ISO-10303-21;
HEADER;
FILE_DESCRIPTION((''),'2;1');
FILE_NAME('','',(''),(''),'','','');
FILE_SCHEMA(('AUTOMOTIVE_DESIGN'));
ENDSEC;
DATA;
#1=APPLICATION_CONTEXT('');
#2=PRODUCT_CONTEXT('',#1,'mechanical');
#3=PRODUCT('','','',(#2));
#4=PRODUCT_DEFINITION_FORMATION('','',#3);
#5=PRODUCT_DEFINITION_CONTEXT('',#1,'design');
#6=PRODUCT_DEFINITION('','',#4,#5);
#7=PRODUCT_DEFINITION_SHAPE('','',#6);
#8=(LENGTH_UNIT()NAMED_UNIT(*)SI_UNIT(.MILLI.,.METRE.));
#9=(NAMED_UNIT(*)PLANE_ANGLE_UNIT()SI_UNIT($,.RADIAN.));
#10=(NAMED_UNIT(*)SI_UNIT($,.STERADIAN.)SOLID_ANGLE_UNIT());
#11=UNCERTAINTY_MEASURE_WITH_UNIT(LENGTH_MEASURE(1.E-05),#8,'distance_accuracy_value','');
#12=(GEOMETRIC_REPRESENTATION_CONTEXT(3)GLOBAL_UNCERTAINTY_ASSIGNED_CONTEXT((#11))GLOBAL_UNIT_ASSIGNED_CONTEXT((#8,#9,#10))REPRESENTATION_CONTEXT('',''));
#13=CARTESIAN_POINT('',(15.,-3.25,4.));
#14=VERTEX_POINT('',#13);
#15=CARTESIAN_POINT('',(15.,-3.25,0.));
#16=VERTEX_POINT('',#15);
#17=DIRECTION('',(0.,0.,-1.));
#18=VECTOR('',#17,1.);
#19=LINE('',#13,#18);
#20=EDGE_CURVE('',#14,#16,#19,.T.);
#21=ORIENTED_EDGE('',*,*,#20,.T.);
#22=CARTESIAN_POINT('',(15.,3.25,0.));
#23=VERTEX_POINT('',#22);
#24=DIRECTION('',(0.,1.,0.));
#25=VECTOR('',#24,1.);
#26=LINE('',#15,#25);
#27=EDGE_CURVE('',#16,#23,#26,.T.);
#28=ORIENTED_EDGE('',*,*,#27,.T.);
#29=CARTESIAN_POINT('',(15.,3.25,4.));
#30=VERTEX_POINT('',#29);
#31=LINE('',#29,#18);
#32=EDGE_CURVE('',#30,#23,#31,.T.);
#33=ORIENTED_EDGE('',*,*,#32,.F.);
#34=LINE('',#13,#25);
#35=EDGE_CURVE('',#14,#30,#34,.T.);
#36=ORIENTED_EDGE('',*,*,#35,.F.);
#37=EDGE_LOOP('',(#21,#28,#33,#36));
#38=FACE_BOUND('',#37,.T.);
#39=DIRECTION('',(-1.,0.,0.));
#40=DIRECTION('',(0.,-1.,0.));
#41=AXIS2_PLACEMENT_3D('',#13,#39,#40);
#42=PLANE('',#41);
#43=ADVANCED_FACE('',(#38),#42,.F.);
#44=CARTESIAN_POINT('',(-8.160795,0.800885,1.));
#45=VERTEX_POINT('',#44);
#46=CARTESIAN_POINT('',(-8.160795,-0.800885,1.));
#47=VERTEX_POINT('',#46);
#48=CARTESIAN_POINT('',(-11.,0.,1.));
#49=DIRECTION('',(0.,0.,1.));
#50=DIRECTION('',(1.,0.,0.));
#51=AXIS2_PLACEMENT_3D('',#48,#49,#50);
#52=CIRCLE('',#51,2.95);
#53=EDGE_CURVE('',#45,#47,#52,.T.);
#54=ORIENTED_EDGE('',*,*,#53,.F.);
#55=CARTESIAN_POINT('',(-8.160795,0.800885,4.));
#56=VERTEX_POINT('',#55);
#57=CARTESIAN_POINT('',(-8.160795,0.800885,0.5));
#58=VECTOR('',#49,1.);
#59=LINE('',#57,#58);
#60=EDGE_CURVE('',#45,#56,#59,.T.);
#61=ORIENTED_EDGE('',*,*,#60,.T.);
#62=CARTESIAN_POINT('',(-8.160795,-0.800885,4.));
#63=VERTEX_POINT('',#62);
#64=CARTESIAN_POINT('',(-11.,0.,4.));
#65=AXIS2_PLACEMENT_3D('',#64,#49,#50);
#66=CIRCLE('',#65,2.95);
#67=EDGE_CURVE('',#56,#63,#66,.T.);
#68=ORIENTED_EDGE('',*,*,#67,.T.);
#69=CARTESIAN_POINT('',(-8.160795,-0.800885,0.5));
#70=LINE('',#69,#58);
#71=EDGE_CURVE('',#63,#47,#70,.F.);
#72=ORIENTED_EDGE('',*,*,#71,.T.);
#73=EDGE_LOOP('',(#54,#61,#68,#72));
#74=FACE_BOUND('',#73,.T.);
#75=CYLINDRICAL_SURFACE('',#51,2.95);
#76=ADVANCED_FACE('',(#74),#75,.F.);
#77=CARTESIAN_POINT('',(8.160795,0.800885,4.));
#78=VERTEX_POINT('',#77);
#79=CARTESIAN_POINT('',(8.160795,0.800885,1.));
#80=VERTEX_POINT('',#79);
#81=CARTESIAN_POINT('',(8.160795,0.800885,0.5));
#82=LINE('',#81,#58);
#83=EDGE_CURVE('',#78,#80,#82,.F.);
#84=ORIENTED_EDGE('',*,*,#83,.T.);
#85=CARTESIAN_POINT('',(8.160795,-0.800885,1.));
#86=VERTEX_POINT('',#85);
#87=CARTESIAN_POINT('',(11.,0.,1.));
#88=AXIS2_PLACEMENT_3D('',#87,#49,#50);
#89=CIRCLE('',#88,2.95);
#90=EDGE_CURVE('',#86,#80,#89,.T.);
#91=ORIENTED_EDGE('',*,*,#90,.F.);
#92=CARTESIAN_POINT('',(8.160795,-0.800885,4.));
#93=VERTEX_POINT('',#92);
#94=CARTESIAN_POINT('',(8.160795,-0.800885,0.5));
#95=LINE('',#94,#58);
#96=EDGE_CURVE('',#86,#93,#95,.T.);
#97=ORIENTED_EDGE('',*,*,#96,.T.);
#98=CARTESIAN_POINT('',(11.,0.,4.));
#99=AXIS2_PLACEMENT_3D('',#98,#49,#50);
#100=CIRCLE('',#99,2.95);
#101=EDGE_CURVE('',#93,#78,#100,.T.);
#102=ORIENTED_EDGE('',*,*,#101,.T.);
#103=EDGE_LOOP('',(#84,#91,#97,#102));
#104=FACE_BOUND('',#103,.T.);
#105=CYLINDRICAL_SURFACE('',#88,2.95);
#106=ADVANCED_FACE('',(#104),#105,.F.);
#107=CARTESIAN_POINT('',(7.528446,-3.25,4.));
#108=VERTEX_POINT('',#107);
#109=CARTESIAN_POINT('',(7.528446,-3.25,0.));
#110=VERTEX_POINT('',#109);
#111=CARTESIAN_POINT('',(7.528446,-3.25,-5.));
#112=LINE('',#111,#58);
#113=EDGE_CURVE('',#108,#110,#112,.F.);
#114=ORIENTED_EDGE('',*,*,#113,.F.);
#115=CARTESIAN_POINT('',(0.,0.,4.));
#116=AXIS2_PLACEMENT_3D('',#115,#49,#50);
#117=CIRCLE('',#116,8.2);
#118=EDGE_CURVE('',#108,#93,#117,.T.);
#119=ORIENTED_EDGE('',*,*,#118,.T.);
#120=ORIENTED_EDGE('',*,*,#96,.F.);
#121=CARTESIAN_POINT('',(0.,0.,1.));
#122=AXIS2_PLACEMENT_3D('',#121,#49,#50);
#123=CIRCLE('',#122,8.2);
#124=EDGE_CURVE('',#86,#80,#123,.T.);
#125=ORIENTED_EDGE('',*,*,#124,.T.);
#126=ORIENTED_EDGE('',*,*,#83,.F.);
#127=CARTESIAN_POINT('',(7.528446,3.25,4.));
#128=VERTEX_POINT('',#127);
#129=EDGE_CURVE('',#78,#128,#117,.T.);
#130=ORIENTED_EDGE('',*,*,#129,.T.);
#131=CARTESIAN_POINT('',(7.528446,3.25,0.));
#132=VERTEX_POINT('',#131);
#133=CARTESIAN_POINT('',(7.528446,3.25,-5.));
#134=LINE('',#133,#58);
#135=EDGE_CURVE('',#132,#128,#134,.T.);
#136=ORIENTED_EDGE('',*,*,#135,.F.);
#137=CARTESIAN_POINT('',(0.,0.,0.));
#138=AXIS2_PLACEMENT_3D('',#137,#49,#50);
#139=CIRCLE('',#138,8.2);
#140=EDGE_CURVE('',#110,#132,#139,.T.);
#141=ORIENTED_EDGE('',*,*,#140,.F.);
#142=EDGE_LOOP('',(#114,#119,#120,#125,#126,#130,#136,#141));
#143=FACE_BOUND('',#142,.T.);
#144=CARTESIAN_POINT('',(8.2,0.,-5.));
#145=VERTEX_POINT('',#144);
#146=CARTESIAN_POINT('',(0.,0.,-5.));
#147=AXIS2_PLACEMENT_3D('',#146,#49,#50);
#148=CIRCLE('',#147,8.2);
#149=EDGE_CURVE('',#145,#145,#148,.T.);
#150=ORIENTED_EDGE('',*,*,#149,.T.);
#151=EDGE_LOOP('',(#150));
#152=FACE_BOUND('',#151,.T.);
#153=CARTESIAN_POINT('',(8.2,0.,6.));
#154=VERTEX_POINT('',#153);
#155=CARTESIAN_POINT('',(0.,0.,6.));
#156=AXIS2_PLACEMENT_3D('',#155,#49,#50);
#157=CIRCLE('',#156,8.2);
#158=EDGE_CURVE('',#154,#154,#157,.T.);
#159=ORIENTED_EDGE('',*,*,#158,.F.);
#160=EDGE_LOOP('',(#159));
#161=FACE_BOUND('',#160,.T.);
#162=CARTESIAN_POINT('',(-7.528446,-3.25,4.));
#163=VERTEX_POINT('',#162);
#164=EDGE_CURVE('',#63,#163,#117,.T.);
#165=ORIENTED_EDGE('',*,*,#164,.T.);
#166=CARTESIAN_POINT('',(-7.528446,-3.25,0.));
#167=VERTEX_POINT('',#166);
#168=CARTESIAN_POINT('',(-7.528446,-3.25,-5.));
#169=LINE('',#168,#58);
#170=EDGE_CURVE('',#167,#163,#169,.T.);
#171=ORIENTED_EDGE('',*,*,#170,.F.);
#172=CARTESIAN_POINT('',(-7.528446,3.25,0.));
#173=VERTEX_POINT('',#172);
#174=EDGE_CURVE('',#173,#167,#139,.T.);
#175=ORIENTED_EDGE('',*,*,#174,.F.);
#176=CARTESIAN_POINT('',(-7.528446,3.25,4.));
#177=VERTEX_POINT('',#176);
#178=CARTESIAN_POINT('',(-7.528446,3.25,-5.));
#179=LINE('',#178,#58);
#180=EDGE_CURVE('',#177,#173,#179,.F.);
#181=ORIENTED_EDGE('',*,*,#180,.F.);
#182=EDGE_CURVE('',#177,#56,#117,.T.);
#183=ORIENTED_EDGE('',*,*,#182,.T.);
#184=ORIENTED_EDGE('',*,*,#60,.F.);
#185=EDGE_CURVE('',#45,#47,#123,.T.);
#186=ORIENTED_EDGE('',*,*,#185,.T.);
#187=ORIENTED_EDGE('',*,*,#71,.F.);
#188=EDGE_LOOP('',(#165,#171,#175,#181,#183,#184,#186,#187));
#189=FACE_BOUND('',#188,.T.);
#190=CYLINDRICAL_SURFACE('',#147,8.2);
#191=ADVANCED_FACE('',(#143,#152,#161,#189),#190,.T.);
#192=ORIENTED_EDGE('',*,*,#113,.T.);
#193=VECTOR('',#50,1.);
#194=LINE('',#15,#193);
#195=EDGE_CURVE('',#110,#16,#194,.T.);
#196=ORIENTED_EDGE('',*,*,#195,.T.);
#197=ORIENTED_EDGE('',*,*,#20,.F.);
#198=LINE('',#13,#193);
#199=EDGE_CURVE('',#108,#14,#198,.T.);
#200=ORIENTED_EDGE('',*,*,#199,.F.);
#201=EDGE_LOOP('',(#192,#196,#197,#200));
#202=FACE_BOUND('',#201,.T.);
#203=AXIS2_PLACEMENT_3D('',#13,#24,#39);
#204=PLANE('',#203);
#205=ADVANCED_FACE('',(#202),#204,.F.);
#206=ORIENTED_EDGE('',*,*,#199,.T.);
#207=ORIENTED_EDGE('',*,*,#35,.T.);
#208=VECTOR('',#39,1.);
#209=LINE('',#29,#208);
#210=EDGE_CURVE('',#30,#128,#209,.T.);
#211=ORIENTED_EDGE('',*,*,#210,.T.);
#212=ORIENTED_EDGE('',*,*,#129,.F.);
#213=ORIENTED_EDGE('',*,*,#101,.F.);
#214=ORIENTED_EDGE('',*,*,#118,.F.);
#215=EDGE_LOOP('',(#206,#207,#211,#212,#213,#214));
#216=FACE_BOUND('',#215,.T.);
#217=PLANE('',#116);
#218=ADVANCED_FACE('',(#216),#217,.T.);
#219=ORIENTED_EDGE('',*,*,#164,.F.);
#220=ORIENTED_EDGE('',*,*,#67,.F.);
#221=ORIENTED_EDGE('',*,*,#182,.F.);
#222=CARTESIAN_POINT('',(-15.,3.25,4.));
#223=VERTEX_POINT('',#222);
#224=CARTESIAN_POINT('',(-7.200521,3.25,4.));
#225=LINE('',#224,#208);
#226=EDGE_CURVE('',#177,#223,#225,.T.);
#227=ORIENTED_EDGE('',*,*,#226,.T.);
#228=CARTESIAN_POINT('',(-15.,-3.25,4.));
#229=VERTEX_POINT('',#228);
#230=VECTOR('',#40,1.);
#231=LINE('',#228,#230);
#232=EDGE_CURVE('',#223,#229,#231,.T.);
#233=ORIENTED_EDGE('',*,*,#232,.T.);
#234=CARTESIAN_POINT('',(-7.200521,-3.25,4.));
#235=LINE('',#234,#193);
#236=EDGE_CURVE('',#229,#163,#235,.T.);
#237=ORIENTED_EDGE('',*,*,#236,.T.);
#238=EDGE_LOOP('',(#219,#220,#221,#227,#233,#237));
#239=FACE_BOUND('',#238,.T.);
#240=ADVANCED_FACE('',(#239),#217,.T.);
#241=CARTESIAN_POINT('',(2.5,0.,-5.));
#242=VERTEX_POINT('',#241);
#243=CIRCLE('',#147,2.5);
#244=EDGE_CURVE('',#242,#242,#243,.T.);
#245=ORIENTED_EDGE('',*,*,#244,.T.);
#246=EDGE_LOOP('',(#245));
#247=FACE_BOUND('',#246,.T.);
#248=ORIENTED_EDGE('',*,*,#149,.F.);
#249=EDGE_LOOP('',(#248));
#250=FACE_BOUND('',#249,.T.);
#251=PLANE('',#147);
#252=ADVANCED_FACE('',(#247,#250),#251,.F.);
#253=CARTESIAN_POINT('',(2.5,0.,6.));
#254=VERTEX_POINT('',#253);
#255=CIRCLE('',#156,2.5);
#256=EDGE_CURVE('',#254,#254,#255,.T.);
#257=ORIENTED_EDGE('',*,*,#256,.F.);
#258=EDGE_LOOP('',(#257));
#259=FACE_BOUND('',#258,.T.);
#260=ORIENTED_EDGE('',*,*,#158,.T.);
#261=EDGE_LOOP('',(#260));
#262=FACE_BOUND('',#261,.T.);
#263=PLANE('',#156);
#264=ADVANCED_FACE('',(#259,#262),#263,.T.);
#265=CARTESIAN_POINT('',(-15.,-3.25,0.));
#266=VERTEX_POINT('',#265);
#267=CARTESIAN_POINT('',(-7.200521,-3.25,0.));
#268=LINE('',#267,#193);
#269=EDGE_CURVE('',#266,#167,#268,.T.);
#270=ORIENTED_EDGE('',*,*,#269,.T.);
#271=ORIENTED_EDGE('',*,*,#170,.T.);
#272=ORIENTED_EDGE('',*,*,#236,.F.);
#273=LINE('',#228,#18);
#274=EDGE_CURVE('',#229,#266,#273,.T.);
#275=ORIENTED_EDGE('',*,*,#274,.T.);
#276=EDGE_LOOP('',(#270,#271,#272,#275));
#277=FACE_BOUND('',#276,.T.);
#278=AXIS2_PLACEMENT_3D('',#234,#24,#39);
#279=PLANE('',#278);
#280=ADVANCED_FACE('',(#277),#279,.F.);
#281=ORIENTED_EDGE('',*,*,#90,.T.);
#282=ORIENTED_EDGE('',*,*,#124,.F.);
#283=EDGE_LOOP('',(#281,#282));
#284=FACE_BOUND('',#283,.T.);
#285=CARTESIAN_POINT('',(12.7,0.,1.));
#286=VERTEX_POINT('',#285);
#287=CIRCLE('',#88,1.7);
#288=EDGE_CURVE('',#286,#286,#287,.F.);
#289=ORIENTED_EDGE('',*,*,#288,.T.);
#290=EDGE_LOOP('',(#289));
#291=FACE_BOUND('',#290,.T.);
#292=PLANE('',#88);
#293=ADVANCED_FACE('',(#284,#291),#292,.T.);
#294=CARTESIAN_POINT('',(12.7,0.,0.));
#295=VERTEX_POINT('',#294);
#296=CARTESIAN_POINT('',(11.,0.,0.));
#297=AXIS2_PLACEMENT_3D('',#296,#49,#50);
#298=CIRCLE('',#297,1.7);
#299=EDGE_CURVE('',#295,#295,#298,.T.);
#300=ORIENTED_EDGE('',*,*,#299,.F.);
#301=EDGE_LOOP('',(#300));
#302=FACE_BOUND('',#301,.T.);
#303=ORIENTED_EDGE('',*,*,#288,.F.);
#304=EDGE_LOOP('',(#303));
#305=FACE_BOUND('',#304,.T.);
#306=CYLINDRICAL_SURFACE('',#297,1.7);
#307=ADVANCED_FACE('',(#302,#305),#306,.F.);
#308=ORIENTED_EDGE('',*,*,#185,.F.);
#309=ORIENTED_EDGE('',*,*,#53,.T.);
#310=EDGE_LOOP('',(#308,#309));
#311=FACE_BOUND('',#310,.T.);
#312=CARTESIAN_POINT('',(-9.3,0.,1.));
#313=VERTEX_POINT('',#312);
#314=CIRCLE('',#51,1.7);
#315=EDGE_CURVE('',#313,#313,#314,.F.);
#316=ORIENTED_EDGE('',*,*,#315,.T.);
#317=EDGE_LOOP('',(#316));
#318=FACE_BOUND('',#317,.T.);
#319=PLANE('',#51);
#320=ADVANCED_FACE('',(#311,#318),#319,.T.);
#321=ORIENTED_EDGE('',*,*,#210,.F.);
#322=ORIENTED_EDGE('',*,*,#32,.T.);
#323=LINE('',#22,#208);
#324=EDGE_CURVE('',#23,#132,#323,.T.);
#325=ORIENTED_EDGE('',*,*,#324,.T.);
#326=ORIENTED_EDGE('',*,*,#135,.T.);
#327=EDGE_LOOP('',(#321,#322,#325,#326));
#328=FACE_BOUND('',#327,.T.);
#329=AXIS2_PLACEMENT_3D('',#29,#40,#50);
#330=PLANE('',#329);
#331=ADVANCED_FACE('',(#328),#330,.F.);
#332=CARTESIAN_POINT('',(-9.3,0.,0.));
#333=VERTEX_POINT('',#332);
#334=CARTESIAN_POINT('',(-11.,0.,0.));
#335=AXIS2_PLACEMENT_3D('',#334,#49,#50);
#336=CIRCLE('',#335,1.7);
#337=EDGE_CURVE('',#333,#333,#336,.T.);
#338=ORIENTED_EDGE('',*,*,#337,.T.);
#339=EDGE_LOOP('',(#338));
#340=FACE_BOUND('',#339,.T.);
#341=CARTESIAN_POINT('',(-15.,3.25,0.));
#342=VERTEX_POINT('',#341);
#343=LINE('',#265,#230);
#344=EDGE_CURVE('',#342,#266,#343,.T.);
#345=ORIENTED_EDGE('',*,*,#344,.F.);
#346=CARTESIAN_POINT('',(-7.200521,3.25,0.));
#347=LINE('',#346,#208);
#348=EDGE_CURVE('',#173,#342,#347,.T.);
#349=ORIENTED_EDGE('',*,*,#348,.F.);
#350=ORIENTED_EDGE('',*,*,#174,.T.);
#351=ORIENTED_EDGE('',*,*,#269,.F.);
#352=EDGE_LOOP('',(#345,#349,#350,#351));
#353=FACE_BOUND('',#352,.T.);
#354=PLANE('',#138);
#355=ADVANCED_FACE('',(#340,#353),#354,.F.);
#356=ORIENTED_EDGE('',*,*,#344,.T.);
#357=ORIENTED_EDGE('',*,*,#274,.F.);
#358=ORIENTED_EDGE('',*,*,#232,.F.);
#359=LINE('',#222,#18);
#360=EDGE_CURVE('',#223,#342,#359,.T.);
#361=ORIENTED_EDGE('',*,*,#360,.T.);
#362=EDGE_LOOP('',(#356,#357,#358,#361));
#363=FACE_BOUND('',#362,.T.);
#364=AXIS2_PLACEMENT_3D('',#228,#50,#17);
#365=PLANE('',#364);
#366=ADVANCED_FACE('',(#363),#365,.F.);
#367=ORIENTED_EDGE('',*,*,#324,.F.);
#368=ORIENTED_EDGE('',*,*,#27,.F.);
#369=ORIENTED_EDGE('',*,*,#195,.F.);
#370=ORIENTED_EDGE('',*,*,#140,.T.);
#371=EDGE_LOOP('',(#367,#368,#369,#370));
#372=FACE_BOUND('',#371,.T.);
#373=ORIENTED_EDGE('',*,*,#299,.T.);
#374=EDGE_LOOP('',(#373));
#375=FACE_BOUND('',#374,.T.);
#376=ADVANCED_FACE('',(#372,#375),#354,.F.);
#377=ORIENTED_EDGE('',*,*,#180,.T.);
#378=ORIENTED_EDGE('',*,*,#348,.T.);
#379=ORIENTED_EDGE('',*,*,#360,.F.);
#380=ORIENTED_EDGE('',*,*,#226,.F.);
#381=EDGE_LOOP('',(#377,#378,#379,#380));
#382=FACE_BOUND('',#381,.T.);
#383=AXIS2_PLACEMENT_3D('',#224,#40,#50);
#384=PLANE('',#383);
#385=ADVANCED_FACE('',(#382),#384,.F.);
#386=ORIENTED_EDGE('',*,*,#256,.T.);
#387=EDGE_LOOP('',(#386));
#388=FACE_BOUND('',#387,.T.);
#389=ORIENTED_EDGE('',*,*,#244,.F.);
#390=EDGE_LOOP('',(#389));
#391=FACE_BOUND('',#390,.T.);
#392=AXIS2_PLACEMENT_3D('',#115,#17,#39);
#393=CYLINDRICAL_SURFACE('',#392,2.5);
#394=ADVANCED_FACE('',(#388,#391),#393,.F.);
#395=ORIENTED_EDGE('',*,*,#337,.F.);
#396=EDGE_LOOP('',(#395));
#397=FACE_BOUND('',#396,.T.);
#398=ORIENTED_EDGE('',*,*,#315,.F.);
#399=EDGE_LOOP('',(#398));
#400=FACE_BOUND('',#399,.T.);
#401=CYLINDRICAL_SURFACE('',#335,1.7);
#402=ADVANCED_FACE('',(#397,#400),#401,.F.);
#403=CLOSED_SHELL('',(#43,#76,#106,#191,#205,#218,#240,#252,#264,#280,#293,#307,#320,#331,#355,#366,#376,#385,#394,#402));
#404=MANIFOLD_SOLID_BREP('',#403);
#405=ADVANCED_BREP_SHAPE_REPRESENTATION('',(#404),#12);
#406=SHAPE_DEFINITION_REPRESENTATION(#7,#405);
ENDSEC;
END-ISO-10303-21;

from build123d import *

# Parameters (mm, degrees)
CROQUIS1_R                   = 2.5
SALIENTE_EXTRUIR1_DEPTH      = 4
CROQUIS2_R                   = 1.7
CORTAR_EXTRUIR1_DEPTH        = 4
CROQUIS3_R                   = 2.95
CORTAR_EXTRUIR2_DEPTH        = 3
CROQUIS4_R                   = 8.2
CROQUIS4_R_2                 = 2.5
SALIENTE_EXTRUIR2_DEPTH      = 2
SALIENTE_EXTRUIR2_DEPTH_BACK = 9


with BuildPart() as part:
    # Croquis1 → Saliente-Extruir1 (new body)
    with BuildSketch(Plane.XY):
        with BuildLine():
            Line((-7.200520814, 3.25), (-15, 3.25))
            Line((-15, 3.25), (-15, -3.25))
            Line((-15, -3.25), (-7.200520814, -3.25))
            ThreePointArc((-7.200520814, -3.25), (0, -7.9), (7.200520814, -3.25))
            Line((7.200520814, -3.25), (15, -3.25))
            Line((15, -3.25), (15, 3.25))
            Line((15, 3.25), (7.200520814, 3.25))
            ThreePointArc((7.200520814, 3.25), (0, 7.9), (-7.200520814, 3.25))
        make_face()
        Circle(CROQUIS1_R, mode=Mode.SUBTRACT)
    extrude(amount=SALIENTE_EXTRUIR1_DEPTH)

    # Croquis2 → Cortar-Extruir1 (cut)
    with BuildSketch(Plane.XY.offset(4)):
        with Locations((-11, 0)):
            Circle(CROQUIS2_R)
        with Locations((11, 0)):
            Circle(CROQUIS2_R)
    extrude(amount=-CORTAR_EXTRUIR1_DEPTH, mode=Mode.SUBTRACT)

    # Croquis3 → Cortar-Extruir2 (cut)
    with BuildSketch(Plane.XY.offset(4)):
        with Locations((-11, 0)):
            Circle(CROQUIS3_R)
        with Locations((11, 0)):
            Circle(CROQUIS3_R)
    extrude(amount=-CORTAR_EXTRUIR2_DEPTH, mode=Mode.SUBTRACT)

    # Croquis4 → Saliente-Extruir2 (add, two sides)
    with BuildSketch(Plane.XY.offset(4)) as saliente_extruir2_sk:
        Circle(CROQUIS4_R)
        Circle(CROQUIS4_R_2, mode=Mode.SUBTRACT)
    extrude(amount=SALIENTE_EXTRUIR2_DEPTH)
    extrude(saliente_extruir2_sk.sketch, amount=-SALIENTE_EXTRUIR2_DEPTH_BACK)


solid = part.part
